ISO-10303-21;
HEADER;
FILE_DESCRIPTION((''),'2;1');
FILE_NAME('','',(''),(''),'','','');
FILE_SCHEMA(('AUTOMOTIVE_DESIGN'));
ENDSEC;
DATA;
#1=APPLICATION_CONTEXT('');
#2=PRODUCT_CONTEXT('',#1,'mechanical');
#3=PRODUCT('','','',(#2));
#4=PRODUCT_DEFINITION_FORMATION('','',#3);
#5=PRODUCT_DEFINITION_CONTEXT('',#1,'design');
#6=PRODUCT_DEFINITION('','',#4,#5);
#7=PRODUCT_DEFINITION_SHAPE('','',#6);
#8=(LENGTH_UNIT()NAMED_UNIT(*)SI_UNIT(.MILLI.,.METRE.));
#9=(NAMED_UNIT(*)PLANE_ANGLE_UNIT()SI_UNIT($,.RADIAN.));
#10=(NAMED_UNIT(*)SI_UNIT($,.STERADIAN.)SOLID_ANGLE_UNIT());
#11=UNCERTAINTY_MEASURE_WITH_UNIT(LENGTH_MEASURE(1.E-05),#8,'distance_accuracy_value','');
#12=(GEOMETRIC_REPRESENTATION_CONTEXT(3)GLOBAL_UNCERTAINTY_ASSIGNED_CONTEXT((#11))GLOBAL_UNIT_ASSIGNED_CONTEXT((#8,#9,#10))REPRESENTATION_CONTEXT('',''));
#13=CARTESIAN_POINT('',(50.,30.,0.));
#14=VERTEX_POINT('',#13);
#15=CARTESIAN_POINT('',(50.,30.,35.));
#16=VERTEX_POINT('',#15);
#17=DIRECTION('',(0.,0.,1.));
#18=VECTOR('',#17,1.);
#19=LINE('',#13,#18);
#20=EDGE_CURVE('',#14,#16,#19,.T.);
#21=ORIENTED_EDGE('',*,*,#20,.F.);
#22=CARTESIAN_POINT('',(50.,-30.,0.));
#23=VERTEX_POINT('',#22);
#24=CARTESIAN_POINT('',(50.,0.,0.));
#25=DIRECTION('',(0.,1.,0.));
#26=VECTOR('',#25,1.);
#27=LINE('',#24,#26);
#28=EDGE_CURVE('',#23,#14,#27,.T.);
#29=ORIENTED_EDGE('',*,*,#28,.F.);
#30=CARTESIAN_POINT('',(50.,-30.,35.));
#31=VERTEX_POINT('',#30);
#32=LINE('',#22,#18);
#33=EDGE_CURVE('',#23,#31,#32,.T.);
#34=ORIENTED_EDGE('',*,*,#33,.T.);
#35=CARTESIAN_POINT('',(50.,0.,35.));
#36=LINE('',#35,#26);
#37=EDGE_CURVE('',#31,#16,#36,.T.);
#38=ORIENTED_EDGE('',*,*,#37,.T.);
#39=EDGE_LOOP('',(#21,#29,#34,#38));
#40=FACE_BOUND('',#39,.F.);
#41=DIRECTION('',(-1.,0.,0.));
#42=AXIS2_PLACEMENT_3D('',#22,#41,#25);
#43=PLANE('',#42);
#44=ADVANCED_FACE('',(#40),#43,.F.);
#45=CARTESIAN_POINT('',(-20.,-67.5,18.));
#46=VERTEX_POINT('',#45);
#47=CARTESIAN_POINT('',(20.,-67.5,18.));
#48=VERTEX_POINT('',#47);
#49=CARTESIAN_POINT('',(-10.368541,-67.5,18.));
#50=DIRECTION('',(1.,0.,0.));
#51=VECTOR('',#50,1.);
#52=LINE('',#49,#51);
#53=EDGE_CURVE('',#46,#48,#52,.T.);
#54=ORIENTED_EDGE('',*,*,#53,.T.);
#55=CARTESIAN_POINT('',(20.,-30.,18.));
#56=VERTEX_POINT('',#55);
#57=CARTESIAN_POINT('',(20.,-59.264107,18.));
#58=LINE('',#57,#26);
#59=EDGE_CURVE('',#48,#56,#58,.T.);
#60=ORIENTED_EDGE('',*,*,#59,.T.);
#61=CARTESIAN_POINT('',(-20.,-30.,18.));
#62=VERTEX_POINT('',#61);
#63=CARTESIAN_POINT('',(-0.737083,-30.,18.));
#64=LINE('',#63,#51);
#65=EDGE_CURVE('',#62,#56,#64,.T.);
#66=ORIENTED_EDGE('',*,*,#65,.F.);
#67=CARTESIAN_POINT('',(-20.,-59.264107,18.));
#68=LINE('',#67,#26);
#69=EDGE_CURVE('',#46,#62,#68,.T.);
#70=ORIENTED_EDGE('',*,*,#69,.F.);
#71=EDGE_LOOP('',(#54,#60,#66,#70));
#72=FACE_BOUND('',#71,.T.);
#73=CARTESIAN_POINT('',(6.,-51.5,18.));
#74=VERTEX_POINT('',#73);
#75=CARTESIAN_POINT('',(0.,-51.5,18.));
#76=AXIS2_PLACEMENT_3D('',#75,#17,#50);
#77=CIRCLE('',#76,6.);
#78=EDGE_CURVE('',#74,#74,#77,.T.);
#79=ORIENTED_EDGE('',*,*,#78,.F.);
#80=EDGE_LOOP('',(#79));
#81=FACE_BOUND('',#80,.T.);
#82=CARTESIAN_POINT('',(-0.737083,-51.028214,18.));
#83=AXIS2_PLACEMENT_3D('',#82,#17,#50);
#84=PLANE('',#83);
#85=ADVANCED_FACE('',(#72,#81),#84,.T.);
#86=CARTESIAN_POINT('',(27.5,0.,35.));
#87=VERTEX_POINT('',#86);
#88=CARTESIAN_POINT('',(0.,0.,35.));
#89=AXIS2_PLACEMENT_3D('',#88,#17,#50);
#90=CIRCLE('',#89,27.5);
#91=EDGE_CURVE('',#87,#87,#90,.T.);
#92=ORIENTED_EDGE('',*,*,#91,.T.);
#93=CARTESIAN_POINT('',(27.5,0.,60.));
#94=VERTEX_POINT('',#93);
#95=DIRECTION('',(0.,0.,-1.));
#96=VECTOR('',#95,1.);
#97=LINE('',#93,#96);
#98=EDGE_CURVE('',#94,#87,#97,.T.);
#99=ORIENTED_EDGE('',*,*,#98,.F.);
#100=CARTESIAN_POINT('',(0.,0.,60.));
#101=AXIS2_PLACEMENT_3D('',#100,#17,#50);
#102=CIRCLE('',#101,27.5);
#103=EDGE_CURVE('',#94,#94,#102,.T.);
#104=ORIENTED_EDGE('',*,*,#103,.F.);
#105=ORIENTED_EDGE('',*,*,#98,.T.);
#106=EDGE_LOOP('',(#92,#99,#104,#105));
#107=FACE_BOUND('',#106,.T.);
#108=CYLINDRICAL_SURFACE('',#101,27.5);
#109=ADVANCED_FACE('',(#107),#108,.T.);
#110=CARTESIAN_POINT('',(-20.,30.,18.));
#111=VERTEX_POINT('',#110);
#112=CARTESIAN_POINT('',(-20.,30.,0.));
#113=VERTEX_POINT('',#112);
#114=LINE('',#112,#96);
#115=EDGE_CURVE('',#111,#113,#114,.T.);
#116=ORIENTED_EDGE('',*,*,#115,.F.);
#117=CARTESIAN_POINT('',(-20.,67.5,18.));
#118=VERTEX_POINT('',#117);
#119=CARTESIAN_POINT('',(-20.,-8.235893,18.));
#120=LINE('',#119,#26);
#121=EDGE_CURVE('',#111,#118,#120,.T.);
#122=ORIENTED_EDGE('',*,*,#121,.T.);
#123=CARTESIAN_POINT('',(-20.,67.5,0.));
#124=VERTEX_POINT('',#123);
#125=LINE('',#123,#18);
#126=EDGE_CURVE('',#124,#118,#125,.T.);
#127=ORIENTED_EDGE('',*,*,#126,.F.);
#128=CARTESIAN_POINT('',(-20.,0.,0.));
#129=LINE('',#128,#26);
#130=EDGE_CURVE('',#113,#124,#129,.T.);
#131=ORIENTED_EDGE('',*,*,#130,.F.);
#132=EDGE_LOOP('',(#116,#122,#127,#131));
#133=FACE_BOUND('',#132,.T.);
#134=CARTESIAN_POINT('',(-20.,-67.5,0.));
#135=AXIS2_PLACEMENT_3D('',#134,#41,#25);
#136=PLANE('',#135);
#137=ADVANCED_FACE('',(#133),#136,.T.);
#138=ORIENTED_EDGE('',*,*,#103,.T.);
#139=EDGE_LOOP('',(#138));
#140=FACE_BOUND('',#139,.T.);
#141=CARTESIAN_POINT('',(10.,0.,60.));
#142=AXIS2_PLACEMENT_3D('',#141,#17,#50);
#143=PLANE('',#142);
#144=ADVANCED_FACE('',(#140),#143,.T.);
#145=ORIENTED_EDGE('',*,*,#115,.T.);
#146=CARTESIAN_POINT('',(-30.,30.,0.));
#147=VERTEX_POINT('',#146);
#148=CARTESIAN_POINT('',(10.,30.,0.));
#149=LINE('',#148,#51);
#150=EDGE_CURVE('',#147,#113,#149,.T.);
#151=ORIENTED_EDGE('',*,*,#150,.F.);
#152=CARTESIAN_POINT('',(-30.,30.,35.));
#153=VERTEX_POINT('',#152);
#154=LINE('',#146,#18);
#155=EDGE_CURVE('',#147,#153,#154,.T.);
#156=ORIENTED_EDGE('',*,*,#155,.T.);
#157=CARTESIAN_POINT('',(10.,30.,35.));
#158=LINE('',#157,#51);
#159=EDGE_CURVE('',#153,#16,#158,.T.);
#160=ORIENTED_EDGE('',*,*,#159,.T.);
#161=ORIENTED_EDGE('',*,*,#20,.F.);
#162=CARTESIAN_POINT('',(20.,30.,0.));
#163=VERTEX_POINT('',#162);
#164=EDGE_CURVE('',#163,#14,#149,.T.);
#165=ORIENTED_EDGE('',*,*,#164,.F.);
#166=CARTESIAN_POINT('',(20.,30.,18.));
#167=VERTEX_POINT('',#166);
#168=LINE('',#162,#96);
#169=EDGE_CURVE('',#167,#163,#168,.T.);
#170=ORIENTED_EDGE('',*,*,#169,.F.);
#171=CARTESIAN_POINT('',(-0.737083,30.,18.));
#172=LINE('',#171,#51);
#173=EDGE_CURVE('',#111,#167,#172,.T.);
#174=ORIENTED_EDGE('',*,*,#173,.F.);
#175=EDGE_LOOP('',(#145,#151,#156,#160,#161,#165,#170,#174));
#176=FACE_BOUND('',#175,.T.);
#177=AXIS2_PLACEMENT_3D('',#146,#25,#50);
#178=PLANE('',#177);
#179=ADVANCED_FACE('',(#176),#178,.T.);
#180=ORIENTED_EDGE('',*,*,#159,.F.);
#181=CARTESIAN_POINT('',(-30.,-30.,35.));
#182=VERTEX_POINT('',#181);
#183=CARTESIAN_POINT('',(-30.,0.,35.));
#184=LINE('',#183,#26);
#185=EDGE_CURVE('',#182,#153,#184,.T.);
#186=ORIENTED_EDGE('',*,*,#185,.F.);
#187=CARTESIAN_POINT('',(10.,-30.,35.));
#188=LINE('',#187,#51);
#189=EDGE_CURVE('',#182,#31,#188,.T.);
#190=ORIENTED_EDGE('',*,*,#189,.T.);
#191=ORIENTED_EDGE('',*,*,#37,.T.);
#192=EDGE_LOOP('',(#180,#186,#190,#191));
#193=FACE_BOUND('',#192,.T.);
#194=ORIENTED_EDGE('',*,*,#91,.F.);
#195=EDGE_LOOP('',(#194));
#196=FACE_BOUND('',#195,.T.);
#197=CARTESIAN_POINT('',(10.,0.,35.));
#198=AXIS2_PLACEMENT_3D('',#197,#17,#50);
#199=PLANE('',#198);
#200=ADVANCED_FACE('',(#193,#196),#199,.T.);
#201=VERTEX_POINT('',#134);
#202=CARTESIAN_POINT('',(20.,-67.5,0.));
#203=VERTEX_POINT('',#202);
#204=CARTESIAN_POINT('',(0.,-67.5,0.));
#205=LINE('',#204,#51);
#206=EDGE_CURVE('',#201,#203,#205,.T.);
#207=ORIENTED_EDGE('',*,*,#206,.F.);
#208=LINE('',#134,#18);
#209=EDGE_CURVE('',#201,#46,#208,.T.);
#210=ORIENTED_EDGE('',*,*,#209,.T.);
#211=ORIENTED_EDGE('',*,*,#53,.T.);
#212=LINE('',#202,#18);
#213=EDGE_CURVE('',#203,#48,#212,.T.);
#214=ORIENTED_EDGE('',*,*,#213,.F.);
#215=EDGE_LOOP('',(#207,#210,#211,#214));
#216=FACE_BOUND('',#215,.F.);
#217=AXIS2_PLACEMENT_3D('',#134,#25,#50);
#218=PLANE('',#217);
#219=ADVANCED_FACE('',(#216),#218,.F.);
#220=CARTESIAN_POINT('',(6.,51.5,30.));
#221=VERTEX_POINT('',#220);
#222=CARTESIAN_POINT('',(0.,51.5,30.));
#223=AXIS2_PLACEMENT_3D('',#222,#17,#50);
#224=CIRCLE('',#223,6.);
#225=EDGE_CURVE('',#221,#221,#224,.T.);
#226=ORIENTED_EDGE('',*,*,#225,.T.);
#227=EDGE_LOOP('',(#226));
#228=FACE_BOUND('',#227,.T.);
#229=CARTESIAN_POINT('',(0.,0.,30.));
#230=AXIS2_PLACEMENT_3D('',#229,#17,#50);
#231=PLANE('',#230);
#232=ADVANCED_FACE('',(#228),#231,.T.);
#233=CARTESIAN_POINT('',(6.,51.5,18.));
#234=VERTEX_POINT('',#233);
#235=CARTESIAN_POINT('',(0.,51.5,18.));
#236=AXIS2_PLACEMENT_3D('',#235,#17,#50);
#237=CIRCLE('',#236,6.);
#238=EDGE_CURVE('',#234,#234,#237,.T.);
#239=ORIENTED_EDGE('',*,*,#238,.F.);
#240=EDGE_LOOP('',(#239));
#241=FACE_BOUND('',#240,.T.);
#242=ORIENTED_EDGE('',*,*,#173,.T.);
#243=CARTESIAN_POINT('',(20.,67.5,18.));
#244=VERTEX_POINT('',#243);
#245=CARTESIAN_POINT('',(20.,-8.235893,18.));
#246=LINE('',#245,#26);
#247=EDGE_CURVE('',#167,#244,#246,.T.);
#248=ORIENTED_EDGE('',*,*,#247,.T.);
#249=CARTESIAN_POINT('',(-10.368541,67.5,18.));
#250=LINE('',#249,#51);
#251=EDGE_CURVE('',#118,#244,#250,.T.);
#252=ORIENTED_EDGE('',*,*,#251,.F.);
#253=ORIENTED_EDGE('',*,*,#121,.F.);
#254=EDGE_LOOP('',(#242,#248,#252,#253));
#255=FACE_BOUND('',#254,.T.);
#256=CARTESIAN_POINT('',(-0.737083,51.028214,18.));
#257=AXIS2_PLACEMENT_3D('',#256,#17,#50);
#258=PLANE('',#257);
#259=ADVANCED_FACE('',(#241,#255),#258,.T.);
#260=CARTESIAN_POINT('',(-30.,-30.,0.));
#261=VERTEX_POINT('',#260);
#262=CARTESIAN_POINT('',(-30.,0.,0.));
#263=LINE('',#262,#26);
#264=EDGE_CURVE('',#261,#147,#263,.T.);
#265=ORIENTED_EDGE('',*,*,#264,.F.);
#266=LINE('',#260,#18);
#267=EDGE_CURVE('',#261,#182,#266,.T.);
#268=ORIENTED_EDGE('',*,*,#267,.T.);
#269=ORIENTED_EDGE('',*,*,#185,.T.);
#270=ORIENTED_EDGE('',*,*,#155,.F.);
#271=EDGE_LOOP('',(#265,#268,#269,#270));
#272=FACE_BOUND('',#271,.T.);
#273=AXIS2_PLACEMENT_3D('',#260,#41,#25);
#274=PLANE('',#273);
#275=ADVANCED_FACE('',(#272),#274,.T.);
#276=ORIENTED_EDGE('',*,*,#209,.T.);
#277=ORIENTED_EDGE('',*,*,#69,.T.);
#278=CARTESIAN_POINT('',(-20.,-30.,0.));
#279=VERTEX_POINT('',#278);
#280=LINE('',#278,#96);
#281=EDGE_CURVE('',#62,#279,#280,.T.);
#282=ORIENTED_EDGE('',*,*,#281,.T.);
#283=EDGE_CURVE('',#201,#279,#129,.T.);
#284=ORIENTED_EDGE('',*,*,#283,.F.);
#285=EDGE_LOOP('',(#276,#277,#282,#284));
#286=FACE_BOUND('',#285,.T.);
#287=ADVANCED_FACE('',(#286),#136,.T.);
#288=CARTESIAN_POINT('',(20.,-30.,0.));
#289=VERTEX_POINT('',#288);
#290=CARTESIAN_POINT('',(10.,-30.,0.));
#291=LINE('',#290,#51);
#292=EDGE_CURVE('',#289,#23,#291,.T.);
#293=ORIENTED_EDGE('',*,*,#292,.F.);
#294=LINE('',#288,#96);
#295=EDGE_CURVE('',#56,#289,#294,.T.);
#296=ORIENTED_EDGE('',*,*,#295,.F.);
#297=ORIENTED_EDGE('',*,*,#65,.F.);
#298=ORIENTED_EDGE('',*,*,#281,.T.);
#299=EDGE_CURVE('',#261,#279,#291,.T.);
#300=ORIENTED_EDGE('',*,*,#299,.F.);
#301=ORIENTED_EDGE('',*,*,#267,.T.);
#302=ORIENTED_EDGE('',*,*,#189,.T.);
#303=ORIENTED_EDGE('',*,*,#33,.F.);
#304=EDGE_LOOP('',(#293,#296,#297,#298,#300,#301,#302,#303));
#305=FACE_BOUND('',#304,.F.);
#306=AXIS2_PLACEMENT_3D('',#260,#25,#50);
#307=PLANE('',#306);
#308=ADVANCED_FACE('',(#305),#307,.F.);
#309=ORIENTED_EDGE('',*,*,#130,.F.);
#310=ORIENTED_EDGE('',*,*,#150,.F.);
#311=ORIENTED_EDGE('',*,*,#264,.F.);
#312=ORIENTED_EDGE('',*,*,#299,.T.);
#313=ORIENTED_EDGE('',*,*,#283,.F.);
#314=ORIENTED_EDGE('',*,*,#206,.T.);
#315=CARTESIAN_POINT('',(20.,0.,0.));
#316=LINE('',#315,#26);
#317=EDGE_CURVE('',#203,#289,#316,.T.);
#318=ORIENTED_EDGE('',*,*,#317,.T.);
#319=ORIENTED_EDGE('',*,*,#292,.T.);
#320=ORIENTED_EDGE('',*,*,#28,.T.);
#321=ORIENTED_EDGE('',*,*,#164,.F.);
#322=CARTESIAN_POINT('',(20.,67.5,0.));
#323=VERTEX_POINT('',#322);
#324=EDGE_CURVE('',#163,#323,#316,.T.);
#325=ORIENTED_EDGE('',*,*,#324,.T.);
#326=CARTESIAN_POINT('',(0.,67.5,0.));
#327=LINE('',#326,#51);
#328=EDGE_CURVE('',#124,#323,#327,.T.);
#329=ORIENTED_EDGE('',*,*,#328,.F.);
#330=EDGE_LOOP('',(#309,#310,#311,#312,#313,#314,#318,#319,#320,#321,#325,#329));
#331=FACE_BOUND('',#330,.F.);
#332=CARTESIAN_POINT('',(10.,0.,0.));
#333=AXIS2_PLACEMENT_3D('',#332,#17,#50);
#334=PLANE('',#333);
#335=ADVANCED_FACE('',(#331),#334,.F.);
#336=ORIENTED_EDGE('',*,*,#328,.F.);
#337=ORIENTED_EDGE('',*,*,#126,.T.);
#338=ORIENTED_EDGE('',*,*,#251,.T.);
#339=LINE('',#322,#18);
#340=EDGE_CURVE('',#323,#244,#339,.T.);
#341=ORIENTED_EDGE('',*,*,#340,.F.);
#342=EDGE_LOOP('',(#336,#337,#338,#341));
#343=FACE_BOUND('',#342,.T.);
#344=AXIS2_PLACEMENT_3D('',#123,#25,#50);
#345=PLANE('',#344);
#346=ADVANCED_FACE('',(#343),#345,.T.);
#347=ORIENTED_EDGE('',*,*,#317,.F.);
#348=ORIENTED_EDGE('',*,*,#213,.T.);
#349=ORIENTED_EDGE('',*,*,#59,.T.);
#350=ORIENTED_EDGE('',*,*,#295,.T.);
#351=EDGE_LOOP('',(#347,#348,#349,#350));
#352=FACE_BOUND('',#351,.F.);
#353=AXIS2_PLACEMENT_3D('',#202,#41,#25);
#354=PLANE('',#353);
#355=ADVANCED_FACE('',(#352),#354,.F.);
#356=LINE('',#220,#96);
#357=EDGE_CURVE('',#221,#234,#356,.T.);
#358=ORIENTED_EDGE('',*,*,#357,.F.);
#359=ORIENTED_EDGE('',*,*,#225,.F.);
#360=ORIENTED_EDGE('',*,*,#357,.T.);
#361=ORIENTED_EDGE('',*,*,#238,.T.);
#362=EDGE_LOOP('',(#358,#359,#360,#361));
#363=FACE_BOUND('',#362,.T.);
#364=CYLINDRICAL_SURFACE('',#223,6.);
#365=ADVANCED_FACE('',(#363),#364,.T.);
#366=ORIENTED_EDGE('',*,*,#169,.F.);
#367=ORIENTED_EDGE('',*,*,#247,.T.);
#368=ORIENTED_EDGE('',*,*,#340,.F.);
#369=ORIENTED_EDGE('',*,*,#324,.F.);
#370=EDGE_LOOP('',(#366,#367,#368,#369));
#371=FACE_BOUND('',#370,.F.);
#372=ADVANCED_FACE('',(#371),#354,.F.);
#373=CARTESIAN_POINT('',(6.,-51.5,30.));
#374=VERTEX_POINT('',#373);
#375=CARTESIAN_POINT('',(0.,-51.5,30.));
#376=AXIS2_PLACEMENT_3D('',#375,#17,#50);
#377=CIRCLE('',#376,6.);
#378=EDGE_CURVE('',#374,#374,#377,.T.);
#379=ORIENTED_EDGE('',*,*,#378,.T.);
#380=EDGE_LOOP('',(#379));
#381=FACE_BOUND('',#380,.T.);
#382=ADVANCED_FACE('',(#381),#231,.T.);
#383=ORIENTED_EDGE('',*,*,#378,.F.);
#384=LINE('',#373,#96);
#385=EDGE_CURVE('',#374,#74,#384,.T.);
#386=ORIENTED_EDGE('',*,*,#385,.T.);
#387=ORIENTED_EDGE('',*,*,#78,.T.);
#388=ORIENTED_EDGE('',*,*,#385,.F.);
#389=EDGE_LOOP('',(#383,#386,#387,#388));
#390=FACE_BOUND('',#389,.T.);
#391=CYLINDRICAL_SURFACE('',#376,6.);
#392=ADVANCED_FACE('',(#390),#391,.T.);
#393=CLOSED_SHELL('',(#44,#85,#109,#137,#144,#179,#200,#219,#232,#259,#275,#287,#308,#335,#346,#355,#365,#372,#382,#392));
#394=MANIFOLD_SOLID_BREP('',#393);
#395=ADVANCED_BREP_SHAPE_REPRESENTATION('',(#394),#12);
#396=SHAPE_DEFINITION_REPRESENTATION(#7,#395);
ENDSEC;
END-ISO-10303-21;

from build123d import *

# Parameters (mm, degrees)
F0_W     = 40
F0_H     = 135
F1_DEPTH = 30
F2_W     = 80
F2_H     = 60
F3_DEPTH = 60
F4_W     = 80
F4_H     = 60
F4_R     = 27.5
F5_DEPTH = 25
F6_W     = 50.039211
F6_H     = 42.056428
F6_R     = 6
F7_DEPTH = 12


with BuildPart() as f1:
    # F0 (on Top) → F1 (new body)
    with BuildSketch(Plane.XY):
        Rectangle(F0_W, F0_H)
    extrude(amount=F1_DEPTH)

    # F2 (on Top) → F3 (join)
    with BuildSketch(Plane.XY):
        with Locations((10, 0)):
            Rectangle(F2_W, F2_H)
    extrude(amount=F3_DEPTH)

    # F4 (on face) → F5 (cut)
    with BuildSketch(Plane.XY.offset(60)):
        with Locations((10, 0)):
            Rectangle(F4_W, F4_H)
        Circle(F4_R, mode=Mode.SUBTRACT)
    extrude(amount=-F5_DEPTH, mode=Mode.SUBTRACT)

    # F6 (on face) → F7 (cut)
    with BuildSketch(Plane.XY.offset(30)):
        with Locations((-0.737083, 51.028214)):
            Rectangle(F6_W, F6_H)
        with Locations((0, 51.5)):
            Circle(F6_R, mode=Mode.SUBTRACT)
        with Locations((-0.737083, -51.028214)):
            Rectangle(F6_W, F6_H)
        with Locations((0, -51.5)):
            Circle(F6_R, mode=Mode.SUBTRACT)
    extrude(amount=-F7_DEPTH, mode=Mode.SUBTRACT)


solid = f1.part
